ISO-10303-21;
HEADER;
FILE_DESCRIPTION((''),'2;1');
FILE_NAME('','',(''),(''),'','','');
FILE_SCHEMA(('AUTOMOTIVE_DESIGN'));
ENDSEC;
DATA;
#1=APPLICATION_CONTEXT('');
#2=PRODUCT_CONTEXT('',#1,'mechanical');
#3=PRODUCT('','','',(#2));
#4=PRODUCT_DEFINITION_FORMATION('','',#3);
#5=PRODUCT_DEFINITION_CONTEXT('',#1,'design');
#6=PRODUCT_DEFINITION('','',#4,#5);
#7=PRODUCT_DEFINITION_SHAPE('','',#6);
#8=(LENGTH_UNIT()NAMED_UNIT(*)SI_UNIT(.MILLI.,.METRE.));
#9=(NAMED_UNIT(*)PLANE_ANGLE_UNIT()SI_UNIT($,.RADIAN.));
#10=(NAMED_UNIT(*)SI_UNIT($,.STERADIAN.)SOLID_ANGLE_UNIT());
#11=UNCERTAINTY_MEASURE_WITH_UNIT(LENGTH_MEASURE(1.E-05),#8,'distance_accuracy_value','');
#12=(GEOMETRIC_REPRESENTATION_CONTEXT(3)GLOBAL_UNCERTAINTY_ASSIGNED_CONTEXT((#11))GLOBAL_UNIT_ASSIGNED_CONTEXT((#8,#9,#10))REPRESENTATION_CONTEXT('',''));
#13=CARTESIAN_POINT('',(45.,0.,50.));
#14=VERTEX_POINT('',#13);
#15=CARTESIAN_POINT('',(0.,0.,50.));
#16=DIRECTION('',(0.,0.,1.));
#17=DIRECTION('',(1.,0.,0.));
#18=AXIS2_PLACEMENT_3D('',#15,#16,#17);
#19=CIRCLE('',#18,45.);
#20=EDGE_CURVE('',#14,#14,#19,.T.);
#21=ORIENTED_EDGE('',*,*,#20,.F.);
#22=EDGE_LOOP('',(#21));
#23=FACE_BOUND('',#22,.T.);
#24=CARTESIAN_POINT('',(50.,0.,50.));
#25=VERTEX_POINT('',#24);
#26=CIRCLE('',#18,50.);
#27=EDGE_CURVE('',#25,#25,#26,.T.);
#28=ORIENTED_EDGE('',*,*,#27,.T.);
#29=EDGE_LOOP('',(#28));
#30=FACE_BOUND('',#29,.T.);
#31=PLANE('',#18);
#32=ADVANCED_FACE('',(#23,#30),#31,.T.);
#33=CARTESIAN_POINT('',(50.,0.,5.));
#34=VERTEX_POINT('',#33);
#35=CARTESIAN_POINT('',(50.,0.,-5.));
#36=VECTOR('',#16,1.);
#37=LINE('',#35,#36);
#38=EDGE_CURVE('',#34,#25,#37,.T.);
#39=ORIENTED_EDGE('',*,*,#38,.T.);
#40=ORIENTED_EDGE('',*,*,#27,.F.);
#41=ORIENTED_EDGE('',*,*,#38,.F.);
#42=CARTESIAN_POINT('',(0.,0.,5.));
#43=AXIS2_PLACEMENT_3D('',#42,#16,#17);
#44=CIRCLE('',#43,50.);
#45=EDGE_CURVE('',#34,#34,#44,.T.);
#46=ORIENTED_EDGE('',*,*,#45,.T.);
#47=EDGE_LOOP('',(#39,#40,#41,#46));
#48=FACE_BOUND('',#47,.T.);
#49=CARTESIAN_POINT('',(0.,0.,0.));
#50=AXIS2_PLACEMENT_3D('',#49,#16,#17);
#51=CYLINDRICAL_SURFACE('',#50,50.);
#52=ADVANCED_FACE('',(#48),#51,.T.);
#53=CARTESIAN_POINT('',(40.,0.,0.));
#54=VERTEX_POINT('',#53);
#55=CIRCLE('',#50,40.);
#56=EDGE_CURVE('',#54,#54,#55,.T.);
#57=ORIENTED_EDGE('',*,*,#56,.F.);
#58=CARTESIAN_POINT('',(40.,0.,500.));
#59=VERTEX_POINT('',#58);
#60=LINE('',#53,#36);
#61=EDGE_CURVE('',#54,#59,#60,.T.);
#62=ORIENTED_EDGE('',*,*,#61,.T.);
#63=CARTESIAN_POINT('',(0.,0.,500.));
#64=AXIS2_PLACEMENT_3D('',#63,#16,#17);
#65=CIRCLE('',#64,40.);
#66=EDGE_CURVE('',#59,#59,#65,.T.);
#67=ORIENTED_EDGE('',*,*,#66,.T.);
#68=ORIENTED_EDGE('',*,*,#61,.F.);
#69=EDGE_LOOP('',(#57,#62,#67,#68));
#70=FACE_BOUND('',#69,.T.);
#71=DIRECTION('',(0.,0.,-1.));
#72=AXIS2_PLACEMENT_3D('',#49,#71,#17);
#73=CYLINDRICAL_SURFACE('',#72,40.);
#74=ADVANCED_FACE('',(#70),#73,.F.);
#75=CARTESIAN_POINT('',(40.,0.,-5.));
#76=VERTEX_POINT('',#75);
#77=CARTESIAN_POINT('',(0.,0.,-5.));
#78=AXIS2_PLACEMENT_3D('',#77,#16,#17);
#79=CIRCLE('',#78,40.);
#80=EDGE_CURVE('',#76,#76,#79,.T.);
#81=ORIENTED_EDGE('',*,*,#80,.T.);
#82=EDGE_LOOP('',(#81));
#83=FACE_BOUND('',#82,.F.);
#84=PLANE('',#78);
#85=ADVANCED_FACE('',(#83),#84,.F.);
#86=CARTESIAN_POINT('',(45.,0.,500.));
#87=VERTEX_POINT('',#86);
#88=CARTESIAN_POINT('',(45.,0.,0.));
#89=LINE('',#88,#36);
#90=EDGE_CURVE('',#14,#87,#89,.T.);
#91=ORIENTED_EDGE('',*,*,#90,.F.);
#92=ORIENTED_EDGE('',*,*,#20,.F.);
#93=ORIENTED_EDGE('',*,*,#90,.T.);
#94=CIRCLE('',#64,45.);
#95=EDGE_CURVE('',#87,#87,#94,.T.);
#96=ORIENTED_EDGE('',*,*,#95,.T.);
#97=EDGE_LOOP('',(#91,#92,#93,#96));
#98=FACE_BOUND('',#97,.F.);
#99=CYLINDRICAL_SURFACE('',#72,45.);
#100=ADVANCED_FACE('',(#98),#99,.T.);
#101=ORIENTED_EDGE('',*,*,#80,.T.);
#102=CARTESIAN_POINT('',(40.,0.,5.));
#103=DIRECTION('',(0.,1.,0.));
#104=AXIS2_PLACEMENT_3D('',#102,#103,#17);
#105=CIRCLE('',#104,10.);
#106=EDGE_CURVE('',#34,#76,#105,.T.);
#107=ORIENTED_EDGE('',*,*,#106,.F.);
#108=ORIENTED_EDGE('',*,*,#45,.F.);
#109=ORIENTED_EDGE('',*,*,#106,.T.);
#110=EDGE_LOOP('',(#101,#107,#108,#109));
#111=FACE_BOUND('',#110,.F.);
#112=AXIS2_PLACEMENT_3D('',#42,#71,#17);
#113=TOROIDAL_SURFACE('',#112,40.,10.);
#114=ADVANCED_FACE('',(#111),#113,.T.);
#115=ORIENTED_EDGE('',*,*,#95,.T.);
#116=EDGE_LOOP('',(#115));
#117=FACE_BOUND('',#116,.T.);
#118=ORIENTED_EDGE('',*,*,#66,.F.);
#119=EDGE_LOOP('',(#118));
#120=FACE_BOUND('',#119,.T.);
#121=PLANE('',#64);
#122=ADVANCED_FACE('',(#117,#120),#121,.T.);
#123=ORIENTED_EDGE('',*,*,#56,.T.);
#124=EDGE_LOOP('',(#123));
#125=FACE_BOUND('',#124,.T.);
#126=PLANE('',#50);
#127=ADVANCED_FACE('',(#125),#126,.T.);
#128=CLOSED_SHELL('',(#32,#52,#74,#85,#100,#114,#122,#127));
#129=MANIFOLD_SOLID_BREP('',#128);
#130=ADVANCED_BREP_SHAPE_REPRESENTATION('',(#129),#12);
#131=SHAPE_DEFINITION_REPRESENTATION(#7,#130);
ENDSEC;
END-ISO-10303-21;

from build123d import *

# Parameters (mm, degrees)
F0_R     = 50
F0_R_2   = 45
F1_DEPTH = 50
F0_R_3   = 40
F2_DEPTH = 500
F3_DEPTH = 5
F4_R     = 10


with BuildPart() as f1:
    # F0 (on Top) → F1 (new body)
    with BuildSketch(Plane.XY):
        Circle(F0_R)
        Circle(F0_R_2, mode=Mode.SUBTRACT)
    extrude(amount=F1_DEPTH)

    # F0 (on Top) → F2 (join)
    with BuildSketch(Plane.XY):
        Circle(F0_R_2)
        Circle(F0_R_3, mode=Mode.SUBTRACT)
    extrude(amount=F2_DEPTH)

    # F0 (on Top) → F3 (join)
    with BuildSketch(Plane.XY):
        Circle(F0_R)
        Circle(F0_R_2, mode=Mode.SUBTRACT)
        Circle(F0_R_2)
        Circle(F0_R_3, mode=Mode.SUBTRACT)
        Circle(F0_R_3)
    extrude(amount=-F3_DEPTH)

    # F4
    f4_edges = [f1.edges().sort_by_distance(p)[0] for p in [
        (-50, 0, -5),
    ]]
    fillet(f4_edges, radius=F4_R)


solid = f1.part
